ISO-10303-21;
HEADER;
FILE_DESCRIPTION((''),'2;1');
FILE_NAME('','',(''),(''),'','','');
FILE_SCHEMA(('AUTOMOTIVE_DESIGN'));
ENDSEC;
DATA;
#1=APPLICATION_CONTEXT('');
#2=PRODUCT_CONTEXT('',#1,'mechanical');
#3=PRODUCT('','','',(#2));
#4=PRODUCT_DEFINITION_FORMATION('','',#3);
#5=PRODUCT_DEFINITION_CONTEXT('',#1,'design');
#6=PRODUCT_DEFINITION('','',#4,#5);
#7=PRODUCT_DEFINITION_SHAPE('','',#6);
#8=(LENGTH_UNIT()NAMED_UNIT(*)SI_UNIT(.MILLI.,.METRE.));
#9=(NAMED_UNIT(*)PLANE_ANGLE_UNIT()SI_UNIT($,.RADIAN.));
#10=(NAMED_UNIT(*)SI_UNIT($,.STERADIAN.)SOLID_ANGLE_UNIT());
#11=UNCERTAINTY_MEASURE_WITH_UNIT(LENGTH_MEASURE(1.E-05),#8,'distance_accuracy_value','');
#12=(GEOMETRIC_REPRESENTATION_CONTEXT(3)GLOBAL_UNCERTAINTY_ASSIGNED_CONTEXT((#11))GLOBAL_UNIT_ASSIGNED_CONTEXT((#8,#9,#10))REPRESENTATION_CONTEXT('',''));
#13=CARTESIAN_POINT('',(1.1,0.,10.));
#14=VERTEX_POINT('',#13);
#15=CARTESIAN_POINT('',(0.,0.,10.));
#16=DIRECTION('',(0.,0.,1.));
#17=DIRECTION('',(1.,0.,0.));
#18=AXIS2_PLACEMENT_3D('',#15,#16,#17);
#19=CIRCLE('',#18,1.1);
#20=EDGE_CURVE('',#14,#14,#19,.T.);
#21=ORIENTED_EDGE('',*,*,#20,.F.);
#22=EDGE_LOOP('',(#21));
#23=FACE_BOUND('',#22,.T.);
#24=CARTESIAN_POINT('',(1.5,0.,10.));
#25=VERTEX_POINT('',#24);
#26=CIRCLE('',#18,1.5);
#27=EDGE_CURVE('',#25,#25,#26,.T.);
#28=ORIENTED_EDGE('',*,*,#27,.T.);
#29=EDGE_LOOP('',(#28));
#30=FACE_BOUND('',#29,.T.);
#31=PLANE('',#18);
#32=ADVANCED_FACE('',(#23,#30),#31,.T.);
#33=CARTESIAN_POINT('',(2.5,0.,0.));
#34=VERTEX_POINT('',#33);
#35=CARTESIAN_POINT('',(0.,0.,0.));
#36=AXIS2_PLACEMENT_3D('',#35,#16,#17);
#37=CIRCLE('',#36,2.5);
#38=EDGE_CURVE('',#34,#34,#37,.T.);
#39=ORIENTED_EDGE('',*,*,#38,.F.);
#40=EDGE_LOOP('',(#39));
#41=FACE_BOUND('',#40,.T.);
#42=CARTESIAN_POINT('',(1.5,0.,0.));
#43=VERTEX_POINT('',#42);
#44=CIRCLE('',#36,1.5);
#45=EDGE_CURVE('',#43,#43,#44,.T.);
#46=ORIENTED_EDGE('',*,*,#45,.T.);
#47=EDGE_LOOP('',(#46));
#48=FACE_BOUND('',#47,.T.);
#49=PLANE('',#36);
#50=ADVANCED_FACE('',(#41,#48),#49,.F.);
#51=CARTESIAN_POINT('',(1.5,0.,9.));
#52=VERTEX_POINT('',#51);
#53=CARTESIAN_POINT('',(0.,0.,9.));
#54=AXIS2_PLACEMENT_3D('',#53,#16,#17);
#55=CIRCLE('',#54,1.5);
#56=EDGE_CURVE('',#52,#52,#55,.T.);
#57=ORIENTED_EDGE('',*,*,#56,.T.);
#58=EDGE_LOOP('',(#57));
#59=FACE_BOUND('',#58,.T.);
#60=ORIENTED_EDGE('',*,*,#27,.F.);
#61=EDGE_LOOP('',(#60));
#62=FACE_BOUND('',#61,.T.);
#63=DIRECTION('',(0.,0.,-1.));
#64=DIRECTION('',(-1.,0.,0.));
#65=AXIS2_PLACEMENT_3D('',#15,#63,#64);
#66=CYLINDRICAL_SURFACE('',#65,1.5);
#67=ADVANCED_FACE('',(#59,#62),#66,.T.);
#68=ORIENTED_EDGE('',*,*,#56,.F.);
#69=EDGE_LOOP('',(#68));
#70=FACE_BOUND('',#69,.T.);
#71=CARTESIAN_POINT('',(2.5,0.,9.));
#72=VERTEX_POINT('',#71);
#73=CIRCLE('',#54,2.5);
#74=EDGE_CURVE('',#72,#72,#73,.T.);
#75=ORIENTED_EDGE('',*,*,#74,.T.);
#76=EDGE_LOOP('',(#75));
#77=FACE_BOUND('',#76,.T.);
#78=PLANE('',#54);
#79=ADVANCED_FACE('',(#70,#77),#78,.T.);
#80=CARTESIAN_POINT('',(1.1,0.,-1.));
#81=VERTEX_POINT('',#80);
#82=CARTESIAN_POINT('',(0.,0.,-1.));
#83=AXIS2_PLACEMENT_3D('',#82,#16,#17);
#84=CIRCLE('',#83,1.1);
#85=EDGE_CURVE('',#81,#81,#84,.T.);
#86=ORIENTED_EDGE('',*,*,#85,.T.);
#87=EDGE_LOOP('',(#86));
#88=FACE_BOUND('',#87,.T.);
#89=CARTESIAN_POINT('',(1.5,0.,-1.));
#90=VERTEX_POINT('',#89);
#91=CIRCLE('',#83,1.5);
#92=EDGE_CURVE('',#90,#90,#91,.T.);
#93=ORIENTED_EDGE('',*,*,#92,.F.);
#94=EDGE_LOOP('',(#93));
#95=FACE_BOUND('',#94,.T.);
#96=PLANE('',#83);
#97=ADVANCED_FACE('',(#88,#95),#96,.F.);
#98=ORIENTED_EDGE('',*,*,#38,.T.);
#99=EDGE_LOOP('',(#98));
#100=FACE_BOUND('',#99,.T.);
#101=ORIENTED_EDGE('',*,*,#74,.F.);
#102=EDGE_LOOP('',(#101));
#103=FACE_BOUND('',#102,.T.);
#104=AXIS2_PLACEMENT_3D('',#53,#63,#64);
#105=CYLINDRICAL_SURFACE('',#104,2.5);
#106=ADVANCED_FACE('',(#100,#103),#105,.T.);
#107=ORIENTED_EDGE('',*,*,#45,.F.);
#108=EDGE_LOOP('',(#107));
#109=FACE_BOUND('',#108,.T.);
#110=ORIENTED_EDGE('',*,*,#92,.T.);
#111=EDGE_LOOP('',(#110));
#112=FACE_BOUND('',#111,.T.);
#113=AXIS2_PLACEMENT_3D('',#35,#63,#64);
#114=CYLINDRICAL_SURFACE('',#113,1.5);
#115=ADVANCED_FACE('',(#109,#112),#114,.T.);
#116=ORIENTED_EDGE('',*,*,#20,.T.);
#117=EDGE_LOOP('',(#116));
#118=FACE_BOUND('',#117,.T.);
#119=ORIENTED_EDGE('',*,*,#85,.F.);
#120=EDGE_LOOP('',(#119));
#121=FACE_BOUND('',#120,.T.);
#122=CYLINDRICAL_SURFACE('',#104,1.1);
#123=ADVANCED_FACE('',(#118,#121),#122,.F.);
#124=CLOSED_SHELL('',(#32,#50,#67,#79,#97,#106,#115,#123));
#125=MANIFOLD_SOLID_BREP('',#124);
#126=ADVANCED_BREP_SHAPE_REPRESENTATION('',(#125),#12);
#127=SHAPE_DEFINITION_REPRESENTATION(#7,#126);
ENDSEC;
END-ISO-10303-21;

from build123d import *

# Parameters (mm, degrees)
SKETCH1_R                   = 2.5
SKETCH1_R_2                 = 1.1
SHOULDER_SPACER_L9_DEPTH    = 9
LOWER_TORQUE_PILOT_D3_START = -1
SKETCH2_R                   = 1.5
SKETCH2_R_2                 = 1.1
LOWER_TORQUE_PILOT_D3_DEPTH = 1
UPPER_TORQUE_PILOT_D3_START = 9
SKETCH3_R                   = 1.5
SKETCH3_R_2                 = 1.1
UPPER_TORQUE_PILOT_D3_DEPTH = 1


with BuildPart() as part:
    # Sketch1 → Shoulder_Spacer_L9 (new body)
    with BuildSketch(Plane.XY):
        Circle(SKETCH1_R)
        Circle(SKETCH1_R_2, mode=Mode.SUBTRACT)
    extrude(amount=SHOULDER_SPACER_L9_DEPTH)

    # Sketch2 → Lower_Torque_Pilot_D3 (add)
    with BuildSketch(Plane.XY.offset(LOWER_TORQUE_PILOT_D3_START)):
        Circle(SKETCH2_R)
        Circle(SKETCH2_R_2, mode=Mode.SUBTRACT)
    extrude(amount=LOWER_TORQUE_PILOT_D3_DEPTH)

    # Sketch3 → Upper_Torque_Pilot_D3 (add)
    with BuildSketch(Plane.XY.offset(UPPER_TORQUE_PILOT_D3_START)):
        Circle(SKETCH3_R)
        Circle(SKETCH3_R_2, mode=Mode.SUBTRACT)
    extrude(amount=UPPER_TORQUE_PILOT_D3_DEPTH)


solid = part.part
